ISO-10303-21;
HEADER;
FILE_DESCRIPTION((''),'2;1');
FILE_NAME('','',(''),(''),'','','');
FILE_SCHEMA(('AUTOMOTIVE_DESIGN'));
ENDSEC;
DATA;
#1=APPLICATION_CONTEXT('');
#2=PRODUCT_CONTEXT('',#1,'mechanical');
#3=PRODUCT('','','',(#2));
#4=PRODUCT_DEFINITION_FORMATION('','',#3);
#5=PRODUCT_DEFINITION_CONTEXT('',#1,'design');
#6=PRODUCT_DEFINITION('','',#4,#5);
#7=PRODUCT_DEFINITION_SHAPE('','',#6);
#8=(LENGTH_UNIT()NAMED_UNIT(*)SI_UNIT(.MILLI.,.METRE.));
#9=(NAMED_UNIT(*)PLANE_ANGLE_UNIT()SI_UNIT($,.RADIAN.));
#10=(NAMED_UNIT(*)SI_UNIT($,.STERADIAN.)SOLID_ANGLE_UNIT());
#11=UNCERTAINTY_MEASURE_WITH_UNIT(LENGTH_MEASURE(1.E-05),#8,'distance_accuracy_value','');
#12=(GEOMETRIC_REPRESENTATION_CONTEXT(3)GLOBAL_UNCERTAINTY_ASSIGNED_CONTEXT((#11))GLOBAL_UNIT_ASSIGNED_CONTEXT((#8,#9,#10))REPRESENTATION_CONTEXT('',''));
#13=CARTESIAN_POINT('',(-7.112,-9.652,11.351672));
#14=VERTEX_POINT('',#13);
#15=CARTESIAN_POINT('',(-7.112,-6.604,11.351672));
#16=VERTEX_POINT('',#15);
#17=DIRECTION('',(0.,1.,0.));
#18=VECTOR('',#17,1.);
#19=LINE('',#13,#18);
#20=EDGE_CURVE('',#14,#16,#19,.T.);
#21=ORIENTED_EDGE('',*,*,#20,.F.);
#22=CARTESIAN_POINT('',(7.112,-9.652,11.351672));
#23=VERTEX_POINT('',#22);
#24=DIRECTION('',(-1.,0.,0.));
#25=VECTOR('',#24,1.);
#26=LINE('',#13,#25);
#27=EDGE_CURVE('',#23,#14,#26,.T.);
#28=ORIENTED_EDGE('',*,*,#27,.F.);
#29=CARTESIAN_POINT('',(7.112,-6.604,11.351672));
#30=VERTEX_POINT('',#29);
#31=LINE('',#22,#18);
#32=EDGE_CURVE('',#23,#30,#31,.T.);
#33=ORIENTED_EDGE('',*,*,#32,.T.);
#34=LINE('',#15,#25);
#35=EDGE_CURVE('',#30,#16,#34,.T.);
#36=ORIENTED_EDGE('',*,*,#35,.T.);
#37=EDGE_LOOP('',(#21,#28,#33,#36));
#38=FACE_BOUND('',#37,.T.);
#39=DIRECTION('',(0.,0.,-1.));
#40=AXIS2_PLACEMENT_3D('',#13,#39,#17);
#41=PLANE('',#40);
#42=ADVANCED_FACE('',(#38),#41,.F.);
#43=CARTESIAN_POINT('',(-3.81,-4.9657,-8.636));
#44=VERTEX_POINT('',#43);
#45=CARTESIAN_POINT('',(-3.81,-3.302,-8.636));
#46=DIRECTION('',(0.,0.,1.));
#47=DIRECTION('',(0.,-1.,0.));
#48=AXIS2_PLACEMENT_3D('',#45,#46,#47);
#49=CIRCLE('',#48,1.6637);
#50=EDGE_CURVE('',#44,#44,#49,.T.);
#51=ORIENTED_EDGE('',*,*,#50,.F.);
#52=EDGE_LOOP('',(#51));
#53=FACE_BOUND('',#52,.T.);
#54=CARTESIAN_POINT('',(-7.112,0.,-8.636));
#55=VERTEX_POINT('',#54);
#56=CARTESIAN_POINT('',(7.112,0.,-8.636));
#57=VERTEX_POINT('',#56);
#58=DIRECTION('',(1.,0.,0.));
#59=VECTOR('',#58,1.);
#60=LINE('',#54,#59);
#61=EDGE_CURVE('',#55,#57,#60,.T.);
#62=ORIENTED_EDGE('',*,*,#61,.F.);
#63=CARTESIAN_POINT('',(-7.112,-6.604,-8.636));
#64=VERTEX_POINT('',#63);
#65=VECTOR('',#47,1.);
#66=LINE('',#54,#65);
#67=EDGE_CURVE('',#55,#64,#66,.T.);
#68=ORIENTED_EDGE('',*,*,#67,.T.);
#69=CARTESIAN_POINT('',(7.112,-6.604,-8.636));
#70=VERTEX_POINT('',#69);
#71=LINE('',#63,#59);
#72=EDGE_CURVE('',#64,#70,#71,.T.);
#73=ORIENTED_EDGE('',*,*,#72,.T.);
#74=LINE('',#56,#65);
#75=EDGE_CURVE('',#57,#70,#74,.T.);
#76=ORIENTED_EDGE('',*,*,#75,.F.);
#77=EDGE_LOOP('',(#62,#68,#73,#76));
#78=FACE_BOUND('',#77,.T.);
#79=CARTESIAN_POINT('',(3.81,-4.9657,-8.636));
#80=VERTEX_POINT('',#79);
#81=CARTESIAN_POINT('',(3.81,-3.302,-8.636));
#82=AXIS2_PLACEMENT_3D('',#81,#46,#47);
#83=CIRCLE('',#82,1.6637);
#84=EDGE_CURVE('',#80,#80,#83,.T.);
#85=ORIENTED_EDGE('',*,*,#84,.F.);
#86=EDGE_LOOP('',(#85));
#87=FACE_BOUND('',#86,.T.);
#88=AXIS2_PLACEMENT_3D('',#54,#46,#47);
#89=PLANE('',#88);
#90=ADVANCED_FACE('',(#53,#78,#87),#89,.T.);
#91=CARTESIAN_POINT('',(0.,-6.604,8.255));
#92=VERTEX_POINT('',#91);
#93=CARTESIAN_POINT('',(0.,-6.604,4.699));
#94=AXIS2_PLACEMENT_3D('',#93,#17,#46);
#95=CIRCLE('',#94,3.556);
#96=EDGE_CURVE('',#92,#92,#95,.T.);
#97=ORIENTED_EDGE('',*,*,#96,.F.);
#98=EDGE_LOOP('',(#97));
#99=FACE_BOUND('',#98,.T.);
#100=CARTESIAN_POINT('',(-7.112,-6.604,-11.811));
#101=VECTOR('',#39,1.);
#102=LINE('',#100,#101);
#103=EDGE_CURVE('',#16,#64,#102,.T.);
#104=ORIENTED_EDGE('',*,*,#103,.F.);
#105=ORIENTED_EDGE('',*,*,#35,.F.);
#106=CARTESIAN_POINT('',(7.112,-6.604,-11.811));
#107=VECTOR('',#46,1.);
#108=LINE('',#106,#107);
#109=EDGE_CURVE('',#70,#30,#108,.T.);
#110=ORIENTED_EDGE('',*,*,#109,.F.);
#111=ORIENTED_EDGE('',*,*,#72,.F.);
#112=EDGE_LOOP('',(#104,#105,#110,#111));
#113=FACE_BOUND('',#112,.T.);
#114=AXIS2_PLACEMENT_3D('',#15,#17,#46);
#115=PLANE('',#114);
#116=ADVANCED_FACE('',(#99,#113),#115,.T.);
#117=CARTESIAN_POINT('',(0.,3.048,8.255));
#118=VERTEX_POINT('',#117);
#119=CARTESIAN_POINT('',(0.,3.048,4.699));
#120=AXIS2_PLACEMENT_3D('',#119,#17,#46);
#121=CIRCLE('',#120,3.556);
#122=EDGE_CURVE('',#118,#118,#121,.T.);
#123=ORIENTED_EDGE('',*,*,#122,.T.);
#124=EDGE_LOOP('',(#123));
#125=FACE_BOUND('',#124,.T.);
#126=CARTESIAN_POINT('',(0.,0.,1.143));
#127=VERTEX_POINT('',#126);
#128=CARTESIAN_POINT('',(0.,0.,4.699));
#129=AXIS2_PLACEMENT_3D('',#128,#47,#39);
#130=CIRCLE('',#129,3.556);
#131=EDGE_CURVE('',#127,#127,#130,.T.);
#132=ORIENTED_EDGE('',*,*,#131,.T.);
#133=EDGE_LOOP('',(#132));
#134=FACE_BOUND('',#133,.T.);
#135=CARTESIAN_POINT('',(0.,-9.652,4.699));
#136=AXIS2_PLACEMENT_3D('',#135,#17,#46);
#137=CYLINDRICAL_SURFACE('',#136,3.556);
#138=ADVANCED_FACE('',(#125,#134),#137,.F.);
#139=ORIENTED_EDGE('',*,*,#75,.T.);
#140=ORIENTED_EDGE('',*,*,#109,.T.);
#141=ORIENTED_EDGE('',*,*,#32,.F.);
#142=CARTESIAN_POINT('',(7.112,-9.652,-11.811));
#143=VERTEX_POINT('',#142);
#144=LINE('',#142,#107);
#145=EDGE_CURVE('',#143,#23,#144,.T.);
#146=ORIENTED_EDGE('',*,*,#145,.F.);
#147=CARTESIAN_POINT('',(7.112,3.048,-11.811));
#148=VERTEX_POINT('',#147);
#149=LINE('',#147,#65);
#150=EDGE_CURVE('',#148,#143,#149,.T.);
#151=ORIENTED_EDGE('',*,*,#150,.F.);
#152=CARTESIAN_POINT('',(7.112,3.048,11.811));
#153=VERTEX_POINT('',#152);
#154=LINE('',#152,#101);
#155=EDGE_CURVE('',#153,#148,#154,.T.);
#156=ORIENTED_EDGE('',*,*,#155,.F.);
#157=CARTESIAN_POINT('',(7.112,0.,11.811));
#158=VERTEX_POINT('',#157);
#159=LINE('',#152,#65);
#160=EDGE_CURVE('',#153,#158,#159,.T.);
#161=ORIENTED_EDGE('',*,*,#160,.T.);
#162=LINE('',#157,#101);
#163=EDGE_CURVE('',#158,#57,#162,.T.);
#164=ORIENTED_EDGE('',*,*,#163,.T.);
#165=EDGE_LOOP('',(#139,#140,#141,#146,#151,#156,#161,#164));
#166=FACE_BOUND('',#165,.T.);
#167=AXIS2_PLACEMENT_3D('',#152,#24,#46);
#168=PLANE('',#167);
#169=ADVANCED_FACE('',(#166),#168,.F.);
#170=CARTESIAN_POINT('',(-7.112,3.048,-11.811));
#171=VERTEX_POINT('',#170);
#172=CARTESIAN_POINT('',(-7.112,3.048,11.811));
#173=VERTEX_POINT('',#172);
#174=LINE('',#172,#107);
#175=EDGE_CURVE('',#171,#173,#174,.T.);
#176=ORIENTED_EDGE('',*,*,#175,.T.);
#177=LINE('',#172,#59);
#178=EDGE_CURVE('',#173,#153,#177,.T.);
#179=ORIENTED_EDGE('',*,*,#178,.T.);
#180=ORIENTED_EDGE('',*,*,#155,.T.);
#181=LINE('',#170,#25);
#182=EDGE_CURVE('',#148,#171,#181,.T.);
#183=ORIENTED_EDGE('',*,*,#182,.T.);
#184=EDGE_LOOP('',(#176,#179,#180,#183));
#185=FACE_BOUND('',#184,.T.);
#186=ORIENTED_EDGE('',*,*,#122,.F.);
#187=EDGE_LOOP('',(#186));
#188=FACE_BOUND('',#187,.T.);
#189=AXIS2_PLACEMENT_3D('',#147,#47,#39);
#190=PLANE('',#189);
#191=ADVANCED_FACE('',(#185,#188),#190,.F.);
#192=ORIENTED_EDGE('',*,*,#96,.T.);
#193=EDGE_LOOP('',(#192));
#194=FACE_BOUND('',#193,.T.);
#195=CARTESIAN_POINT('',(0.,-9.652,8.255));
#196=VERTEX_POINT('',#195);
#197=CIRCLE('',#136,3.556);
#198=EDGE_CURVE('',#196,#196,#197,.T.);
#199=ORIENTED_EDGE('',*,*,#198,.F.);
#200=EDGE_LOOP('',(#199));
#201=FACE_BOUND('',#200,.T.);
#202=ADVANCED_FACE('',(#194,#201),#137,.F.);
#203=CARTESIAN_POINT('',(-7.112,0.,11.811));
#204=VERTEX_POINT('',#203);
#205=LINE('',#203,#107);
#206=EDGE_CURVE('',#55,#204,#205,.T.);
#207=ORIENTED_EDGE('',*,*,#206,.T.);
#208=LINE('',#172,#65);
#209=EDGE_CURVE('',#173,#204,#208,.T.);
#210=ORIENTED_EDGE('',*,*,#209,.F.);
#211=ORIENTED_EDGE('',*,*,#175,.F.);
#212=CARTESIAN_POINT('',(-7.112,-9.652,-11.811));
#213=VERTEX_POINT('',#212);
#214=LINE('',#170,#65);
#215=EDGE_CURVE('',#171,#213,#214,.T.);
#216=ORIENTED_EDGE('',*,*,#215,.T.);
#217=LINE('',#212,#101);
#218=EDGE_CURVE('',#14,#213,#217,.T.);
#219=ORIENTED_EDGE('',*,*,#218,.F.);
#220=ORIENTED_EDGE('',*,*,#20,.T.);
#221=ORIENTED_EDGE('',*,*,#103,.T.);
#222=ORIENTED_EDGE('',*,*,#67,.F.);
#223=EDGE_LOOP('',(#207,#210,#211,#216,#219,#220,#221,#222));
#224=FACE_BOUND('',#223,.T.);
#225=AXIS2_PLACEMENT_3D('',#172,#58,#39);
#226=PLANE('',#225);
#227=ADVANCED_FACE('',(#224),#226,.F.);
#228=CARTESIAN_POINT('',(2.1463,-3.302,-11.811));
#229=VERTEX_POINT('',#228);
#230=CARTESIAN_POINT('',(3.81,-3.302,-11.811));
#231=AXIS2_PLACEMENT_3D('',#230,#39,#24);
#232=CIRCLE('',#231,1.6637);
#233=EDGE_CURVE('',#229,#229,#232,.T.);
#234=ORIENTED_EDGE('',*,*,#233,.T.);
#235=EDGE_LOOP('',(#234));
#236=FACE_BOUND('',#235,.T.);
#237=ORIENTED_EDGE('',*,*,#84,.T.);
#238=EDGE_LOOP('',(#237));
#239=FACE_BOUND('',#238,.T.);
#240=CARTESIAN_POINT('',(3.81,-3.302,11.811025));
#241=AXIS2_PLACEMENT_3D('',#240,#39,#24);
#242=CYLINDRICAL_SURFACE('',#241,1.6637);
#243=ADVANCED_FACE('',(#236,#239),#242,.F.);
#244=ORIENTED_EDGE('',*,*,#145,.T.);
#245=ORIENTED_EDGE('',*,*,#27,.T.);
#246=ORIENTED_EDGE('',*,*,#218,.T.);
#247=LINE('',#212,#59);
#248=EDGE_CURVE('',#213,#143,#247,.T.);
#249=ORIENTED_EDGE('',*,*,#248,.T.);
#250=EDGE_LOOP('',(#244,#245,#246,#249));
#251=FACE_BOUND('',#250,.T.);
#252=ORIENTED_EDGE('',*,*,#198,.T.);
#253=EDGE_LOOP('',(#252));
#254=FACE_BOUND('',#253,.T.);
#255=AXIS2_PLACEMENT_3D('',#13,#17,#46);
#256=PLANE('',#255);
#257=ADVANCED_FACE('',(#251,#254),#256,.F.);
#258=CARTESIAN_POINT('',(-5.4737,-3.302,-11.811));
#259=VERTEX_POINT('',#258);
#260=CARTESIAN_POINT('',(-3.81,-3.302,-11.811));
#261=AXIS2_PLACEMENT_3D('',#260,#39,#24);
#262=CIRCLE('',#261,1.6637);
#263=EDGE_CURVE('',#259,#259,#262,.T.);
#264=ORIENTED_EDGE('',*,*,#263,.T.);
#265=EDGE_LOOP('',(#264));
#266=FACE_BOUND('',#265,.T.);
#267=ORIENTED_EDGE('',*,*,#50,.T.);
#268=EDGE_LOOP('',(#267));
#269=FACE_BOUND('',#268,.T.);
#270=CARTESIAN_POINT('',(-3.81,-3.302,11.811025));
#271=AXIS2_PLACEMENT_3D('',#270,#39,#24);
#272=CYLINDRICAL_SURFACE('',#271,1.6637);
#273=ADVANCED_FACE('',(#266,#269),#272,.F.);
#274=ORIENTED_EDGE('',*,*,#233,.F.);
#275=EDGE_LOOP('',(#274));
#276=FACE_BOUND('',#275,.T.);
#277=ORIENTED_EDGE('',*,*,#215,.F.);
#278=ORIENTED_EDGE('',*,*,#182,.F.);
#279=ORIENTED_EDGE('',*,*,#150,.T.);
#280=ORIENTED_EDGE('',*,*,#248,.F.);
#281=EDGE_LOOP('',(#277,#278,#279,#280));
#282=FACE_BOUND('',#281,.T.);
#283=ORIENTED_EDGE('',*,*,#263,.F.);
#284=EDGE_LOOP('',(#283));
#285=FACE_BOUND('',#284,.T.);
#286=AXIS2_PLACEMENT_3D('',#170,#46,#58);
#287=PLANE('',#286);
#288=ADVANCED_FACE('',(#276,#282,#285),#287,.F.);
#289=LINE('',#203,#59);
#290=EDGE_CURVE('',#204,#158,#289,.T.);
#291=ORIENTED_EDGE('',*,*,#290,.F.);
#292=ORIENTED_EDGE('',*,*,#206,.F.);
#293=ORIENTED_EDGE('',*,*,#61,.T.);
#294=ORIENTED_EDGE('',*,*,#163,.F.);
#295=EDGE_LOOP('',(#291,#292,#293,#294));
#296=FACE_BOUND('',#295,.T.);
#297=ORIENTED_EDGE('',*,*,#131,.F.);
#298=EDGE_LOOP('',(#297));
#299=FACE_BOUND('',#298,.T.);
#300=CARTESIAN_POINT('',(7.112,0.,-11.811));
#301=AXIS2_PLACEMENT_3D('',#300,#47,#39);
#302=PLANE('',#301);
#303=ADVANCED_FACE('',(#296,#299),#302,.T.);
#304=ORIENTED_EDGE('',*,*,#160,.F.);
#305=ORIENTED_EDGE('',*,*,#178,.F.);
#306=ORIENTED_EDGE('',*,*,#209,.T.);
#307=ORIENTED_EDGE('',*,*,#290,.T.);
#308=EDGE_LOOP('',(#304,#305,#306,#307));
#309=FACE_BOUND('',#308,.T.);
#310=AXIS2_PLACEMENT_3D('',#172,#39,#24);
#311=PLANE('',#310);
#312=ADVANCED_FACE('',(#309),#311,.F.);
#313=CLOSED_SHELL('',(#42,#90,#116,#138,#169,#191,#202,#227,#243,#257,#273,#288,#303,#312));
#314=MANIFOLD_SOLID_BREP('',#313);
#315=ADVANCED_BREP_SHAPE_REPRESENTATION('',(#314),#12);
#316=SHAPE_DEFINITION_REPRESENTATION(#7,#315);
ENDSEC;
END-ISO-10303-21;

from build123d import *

# Parameters (mm, degrees)
SKETCH1_W                 = 14.224
SKETCH1_H                 = 23.622
BOSS_EXTRUDE1_DEPTH       = 3.048
SKETCH2_W                 = 3.175
SKETCH2_H                 = 6.604
MIDDLE_DEPTH              = 14.224
SKETCH3_W                 = 14.224
SKETCH3_H                 = 23.162672358
BOTTOM_DEPTH              = 3.048
SKETCH4_R                 = 3.556
HOLE_FOR_CLEVIS_PIN_DEPTH = 13.7
SKETCH5_R                 = 1.6637
HOLES_FOR_SCREWS_DEPTH    = 24.622


with BuildPart() as part:
    # Sketch1 → Boss-Extrude1 (new body)
    with BuildSketch(Plane(origin=(0, 0, 0), x_dir=(1, 0, 0), z_dir=(0, 1, 0))):
        Rectangle(SKETCH1_W, SKETCH1_H)
    extrude(amount=BOSS_EXTRUDE1_DEPTH)

    # Sketch2 → middle (add)
    with BuildSketch(Plane(origin=(7.112, 0, 0), x_dir=(0, 0, -1), z_dir=(1, 0, 0))):
        with Locations((10.2235, -3.302)):
            Rectangle(SKETCH2_W, SKETCH2_H)
    extrude(amount=-MIDDLE_DEPTH)

    # Sketch3 → bottom (add)
    with BuildSketch(Plane.XZ.offset(6.604)):
        with Locations((0, -0.229663821)):
            Rectangle(SKETCH3_W, SKETCH3_H)
    extrude(amount=BOTTOM_DEPTH)

    # Sketch4 → hole for clevis pin (cut, through all)
    with BuildSketch(Plane(origin=(0, 3.048, 0), x_dir=(1, 0, 0), z_dir=(0, 1, 0))):
        with Locations((0, -4.699)):
            Circle(SKETCH4_R)
    extrude(amount=-HOLE_FOR_CLEVIS_PIN_DEPTH, mode=Mode.SUBTRACT)

    # Sketch5 → holes for screws (cut, through all)
    with BuildSketch(Plane(origin=(0, 0, -11.811), x_dir=(-1, 0, 0), z_dir=(0, 0, -1))):
        with Locations((-3.81, -3.302)):
            Circle(SKETCH5_R)
        with Locations((3.81, -3.302)):
            Circle(SKETCH5_R)
    extrude(amount=-HOLES_FOR_SCREWS_DEPTH, mode=Mode.SUBTRACT)


solid = part.part
